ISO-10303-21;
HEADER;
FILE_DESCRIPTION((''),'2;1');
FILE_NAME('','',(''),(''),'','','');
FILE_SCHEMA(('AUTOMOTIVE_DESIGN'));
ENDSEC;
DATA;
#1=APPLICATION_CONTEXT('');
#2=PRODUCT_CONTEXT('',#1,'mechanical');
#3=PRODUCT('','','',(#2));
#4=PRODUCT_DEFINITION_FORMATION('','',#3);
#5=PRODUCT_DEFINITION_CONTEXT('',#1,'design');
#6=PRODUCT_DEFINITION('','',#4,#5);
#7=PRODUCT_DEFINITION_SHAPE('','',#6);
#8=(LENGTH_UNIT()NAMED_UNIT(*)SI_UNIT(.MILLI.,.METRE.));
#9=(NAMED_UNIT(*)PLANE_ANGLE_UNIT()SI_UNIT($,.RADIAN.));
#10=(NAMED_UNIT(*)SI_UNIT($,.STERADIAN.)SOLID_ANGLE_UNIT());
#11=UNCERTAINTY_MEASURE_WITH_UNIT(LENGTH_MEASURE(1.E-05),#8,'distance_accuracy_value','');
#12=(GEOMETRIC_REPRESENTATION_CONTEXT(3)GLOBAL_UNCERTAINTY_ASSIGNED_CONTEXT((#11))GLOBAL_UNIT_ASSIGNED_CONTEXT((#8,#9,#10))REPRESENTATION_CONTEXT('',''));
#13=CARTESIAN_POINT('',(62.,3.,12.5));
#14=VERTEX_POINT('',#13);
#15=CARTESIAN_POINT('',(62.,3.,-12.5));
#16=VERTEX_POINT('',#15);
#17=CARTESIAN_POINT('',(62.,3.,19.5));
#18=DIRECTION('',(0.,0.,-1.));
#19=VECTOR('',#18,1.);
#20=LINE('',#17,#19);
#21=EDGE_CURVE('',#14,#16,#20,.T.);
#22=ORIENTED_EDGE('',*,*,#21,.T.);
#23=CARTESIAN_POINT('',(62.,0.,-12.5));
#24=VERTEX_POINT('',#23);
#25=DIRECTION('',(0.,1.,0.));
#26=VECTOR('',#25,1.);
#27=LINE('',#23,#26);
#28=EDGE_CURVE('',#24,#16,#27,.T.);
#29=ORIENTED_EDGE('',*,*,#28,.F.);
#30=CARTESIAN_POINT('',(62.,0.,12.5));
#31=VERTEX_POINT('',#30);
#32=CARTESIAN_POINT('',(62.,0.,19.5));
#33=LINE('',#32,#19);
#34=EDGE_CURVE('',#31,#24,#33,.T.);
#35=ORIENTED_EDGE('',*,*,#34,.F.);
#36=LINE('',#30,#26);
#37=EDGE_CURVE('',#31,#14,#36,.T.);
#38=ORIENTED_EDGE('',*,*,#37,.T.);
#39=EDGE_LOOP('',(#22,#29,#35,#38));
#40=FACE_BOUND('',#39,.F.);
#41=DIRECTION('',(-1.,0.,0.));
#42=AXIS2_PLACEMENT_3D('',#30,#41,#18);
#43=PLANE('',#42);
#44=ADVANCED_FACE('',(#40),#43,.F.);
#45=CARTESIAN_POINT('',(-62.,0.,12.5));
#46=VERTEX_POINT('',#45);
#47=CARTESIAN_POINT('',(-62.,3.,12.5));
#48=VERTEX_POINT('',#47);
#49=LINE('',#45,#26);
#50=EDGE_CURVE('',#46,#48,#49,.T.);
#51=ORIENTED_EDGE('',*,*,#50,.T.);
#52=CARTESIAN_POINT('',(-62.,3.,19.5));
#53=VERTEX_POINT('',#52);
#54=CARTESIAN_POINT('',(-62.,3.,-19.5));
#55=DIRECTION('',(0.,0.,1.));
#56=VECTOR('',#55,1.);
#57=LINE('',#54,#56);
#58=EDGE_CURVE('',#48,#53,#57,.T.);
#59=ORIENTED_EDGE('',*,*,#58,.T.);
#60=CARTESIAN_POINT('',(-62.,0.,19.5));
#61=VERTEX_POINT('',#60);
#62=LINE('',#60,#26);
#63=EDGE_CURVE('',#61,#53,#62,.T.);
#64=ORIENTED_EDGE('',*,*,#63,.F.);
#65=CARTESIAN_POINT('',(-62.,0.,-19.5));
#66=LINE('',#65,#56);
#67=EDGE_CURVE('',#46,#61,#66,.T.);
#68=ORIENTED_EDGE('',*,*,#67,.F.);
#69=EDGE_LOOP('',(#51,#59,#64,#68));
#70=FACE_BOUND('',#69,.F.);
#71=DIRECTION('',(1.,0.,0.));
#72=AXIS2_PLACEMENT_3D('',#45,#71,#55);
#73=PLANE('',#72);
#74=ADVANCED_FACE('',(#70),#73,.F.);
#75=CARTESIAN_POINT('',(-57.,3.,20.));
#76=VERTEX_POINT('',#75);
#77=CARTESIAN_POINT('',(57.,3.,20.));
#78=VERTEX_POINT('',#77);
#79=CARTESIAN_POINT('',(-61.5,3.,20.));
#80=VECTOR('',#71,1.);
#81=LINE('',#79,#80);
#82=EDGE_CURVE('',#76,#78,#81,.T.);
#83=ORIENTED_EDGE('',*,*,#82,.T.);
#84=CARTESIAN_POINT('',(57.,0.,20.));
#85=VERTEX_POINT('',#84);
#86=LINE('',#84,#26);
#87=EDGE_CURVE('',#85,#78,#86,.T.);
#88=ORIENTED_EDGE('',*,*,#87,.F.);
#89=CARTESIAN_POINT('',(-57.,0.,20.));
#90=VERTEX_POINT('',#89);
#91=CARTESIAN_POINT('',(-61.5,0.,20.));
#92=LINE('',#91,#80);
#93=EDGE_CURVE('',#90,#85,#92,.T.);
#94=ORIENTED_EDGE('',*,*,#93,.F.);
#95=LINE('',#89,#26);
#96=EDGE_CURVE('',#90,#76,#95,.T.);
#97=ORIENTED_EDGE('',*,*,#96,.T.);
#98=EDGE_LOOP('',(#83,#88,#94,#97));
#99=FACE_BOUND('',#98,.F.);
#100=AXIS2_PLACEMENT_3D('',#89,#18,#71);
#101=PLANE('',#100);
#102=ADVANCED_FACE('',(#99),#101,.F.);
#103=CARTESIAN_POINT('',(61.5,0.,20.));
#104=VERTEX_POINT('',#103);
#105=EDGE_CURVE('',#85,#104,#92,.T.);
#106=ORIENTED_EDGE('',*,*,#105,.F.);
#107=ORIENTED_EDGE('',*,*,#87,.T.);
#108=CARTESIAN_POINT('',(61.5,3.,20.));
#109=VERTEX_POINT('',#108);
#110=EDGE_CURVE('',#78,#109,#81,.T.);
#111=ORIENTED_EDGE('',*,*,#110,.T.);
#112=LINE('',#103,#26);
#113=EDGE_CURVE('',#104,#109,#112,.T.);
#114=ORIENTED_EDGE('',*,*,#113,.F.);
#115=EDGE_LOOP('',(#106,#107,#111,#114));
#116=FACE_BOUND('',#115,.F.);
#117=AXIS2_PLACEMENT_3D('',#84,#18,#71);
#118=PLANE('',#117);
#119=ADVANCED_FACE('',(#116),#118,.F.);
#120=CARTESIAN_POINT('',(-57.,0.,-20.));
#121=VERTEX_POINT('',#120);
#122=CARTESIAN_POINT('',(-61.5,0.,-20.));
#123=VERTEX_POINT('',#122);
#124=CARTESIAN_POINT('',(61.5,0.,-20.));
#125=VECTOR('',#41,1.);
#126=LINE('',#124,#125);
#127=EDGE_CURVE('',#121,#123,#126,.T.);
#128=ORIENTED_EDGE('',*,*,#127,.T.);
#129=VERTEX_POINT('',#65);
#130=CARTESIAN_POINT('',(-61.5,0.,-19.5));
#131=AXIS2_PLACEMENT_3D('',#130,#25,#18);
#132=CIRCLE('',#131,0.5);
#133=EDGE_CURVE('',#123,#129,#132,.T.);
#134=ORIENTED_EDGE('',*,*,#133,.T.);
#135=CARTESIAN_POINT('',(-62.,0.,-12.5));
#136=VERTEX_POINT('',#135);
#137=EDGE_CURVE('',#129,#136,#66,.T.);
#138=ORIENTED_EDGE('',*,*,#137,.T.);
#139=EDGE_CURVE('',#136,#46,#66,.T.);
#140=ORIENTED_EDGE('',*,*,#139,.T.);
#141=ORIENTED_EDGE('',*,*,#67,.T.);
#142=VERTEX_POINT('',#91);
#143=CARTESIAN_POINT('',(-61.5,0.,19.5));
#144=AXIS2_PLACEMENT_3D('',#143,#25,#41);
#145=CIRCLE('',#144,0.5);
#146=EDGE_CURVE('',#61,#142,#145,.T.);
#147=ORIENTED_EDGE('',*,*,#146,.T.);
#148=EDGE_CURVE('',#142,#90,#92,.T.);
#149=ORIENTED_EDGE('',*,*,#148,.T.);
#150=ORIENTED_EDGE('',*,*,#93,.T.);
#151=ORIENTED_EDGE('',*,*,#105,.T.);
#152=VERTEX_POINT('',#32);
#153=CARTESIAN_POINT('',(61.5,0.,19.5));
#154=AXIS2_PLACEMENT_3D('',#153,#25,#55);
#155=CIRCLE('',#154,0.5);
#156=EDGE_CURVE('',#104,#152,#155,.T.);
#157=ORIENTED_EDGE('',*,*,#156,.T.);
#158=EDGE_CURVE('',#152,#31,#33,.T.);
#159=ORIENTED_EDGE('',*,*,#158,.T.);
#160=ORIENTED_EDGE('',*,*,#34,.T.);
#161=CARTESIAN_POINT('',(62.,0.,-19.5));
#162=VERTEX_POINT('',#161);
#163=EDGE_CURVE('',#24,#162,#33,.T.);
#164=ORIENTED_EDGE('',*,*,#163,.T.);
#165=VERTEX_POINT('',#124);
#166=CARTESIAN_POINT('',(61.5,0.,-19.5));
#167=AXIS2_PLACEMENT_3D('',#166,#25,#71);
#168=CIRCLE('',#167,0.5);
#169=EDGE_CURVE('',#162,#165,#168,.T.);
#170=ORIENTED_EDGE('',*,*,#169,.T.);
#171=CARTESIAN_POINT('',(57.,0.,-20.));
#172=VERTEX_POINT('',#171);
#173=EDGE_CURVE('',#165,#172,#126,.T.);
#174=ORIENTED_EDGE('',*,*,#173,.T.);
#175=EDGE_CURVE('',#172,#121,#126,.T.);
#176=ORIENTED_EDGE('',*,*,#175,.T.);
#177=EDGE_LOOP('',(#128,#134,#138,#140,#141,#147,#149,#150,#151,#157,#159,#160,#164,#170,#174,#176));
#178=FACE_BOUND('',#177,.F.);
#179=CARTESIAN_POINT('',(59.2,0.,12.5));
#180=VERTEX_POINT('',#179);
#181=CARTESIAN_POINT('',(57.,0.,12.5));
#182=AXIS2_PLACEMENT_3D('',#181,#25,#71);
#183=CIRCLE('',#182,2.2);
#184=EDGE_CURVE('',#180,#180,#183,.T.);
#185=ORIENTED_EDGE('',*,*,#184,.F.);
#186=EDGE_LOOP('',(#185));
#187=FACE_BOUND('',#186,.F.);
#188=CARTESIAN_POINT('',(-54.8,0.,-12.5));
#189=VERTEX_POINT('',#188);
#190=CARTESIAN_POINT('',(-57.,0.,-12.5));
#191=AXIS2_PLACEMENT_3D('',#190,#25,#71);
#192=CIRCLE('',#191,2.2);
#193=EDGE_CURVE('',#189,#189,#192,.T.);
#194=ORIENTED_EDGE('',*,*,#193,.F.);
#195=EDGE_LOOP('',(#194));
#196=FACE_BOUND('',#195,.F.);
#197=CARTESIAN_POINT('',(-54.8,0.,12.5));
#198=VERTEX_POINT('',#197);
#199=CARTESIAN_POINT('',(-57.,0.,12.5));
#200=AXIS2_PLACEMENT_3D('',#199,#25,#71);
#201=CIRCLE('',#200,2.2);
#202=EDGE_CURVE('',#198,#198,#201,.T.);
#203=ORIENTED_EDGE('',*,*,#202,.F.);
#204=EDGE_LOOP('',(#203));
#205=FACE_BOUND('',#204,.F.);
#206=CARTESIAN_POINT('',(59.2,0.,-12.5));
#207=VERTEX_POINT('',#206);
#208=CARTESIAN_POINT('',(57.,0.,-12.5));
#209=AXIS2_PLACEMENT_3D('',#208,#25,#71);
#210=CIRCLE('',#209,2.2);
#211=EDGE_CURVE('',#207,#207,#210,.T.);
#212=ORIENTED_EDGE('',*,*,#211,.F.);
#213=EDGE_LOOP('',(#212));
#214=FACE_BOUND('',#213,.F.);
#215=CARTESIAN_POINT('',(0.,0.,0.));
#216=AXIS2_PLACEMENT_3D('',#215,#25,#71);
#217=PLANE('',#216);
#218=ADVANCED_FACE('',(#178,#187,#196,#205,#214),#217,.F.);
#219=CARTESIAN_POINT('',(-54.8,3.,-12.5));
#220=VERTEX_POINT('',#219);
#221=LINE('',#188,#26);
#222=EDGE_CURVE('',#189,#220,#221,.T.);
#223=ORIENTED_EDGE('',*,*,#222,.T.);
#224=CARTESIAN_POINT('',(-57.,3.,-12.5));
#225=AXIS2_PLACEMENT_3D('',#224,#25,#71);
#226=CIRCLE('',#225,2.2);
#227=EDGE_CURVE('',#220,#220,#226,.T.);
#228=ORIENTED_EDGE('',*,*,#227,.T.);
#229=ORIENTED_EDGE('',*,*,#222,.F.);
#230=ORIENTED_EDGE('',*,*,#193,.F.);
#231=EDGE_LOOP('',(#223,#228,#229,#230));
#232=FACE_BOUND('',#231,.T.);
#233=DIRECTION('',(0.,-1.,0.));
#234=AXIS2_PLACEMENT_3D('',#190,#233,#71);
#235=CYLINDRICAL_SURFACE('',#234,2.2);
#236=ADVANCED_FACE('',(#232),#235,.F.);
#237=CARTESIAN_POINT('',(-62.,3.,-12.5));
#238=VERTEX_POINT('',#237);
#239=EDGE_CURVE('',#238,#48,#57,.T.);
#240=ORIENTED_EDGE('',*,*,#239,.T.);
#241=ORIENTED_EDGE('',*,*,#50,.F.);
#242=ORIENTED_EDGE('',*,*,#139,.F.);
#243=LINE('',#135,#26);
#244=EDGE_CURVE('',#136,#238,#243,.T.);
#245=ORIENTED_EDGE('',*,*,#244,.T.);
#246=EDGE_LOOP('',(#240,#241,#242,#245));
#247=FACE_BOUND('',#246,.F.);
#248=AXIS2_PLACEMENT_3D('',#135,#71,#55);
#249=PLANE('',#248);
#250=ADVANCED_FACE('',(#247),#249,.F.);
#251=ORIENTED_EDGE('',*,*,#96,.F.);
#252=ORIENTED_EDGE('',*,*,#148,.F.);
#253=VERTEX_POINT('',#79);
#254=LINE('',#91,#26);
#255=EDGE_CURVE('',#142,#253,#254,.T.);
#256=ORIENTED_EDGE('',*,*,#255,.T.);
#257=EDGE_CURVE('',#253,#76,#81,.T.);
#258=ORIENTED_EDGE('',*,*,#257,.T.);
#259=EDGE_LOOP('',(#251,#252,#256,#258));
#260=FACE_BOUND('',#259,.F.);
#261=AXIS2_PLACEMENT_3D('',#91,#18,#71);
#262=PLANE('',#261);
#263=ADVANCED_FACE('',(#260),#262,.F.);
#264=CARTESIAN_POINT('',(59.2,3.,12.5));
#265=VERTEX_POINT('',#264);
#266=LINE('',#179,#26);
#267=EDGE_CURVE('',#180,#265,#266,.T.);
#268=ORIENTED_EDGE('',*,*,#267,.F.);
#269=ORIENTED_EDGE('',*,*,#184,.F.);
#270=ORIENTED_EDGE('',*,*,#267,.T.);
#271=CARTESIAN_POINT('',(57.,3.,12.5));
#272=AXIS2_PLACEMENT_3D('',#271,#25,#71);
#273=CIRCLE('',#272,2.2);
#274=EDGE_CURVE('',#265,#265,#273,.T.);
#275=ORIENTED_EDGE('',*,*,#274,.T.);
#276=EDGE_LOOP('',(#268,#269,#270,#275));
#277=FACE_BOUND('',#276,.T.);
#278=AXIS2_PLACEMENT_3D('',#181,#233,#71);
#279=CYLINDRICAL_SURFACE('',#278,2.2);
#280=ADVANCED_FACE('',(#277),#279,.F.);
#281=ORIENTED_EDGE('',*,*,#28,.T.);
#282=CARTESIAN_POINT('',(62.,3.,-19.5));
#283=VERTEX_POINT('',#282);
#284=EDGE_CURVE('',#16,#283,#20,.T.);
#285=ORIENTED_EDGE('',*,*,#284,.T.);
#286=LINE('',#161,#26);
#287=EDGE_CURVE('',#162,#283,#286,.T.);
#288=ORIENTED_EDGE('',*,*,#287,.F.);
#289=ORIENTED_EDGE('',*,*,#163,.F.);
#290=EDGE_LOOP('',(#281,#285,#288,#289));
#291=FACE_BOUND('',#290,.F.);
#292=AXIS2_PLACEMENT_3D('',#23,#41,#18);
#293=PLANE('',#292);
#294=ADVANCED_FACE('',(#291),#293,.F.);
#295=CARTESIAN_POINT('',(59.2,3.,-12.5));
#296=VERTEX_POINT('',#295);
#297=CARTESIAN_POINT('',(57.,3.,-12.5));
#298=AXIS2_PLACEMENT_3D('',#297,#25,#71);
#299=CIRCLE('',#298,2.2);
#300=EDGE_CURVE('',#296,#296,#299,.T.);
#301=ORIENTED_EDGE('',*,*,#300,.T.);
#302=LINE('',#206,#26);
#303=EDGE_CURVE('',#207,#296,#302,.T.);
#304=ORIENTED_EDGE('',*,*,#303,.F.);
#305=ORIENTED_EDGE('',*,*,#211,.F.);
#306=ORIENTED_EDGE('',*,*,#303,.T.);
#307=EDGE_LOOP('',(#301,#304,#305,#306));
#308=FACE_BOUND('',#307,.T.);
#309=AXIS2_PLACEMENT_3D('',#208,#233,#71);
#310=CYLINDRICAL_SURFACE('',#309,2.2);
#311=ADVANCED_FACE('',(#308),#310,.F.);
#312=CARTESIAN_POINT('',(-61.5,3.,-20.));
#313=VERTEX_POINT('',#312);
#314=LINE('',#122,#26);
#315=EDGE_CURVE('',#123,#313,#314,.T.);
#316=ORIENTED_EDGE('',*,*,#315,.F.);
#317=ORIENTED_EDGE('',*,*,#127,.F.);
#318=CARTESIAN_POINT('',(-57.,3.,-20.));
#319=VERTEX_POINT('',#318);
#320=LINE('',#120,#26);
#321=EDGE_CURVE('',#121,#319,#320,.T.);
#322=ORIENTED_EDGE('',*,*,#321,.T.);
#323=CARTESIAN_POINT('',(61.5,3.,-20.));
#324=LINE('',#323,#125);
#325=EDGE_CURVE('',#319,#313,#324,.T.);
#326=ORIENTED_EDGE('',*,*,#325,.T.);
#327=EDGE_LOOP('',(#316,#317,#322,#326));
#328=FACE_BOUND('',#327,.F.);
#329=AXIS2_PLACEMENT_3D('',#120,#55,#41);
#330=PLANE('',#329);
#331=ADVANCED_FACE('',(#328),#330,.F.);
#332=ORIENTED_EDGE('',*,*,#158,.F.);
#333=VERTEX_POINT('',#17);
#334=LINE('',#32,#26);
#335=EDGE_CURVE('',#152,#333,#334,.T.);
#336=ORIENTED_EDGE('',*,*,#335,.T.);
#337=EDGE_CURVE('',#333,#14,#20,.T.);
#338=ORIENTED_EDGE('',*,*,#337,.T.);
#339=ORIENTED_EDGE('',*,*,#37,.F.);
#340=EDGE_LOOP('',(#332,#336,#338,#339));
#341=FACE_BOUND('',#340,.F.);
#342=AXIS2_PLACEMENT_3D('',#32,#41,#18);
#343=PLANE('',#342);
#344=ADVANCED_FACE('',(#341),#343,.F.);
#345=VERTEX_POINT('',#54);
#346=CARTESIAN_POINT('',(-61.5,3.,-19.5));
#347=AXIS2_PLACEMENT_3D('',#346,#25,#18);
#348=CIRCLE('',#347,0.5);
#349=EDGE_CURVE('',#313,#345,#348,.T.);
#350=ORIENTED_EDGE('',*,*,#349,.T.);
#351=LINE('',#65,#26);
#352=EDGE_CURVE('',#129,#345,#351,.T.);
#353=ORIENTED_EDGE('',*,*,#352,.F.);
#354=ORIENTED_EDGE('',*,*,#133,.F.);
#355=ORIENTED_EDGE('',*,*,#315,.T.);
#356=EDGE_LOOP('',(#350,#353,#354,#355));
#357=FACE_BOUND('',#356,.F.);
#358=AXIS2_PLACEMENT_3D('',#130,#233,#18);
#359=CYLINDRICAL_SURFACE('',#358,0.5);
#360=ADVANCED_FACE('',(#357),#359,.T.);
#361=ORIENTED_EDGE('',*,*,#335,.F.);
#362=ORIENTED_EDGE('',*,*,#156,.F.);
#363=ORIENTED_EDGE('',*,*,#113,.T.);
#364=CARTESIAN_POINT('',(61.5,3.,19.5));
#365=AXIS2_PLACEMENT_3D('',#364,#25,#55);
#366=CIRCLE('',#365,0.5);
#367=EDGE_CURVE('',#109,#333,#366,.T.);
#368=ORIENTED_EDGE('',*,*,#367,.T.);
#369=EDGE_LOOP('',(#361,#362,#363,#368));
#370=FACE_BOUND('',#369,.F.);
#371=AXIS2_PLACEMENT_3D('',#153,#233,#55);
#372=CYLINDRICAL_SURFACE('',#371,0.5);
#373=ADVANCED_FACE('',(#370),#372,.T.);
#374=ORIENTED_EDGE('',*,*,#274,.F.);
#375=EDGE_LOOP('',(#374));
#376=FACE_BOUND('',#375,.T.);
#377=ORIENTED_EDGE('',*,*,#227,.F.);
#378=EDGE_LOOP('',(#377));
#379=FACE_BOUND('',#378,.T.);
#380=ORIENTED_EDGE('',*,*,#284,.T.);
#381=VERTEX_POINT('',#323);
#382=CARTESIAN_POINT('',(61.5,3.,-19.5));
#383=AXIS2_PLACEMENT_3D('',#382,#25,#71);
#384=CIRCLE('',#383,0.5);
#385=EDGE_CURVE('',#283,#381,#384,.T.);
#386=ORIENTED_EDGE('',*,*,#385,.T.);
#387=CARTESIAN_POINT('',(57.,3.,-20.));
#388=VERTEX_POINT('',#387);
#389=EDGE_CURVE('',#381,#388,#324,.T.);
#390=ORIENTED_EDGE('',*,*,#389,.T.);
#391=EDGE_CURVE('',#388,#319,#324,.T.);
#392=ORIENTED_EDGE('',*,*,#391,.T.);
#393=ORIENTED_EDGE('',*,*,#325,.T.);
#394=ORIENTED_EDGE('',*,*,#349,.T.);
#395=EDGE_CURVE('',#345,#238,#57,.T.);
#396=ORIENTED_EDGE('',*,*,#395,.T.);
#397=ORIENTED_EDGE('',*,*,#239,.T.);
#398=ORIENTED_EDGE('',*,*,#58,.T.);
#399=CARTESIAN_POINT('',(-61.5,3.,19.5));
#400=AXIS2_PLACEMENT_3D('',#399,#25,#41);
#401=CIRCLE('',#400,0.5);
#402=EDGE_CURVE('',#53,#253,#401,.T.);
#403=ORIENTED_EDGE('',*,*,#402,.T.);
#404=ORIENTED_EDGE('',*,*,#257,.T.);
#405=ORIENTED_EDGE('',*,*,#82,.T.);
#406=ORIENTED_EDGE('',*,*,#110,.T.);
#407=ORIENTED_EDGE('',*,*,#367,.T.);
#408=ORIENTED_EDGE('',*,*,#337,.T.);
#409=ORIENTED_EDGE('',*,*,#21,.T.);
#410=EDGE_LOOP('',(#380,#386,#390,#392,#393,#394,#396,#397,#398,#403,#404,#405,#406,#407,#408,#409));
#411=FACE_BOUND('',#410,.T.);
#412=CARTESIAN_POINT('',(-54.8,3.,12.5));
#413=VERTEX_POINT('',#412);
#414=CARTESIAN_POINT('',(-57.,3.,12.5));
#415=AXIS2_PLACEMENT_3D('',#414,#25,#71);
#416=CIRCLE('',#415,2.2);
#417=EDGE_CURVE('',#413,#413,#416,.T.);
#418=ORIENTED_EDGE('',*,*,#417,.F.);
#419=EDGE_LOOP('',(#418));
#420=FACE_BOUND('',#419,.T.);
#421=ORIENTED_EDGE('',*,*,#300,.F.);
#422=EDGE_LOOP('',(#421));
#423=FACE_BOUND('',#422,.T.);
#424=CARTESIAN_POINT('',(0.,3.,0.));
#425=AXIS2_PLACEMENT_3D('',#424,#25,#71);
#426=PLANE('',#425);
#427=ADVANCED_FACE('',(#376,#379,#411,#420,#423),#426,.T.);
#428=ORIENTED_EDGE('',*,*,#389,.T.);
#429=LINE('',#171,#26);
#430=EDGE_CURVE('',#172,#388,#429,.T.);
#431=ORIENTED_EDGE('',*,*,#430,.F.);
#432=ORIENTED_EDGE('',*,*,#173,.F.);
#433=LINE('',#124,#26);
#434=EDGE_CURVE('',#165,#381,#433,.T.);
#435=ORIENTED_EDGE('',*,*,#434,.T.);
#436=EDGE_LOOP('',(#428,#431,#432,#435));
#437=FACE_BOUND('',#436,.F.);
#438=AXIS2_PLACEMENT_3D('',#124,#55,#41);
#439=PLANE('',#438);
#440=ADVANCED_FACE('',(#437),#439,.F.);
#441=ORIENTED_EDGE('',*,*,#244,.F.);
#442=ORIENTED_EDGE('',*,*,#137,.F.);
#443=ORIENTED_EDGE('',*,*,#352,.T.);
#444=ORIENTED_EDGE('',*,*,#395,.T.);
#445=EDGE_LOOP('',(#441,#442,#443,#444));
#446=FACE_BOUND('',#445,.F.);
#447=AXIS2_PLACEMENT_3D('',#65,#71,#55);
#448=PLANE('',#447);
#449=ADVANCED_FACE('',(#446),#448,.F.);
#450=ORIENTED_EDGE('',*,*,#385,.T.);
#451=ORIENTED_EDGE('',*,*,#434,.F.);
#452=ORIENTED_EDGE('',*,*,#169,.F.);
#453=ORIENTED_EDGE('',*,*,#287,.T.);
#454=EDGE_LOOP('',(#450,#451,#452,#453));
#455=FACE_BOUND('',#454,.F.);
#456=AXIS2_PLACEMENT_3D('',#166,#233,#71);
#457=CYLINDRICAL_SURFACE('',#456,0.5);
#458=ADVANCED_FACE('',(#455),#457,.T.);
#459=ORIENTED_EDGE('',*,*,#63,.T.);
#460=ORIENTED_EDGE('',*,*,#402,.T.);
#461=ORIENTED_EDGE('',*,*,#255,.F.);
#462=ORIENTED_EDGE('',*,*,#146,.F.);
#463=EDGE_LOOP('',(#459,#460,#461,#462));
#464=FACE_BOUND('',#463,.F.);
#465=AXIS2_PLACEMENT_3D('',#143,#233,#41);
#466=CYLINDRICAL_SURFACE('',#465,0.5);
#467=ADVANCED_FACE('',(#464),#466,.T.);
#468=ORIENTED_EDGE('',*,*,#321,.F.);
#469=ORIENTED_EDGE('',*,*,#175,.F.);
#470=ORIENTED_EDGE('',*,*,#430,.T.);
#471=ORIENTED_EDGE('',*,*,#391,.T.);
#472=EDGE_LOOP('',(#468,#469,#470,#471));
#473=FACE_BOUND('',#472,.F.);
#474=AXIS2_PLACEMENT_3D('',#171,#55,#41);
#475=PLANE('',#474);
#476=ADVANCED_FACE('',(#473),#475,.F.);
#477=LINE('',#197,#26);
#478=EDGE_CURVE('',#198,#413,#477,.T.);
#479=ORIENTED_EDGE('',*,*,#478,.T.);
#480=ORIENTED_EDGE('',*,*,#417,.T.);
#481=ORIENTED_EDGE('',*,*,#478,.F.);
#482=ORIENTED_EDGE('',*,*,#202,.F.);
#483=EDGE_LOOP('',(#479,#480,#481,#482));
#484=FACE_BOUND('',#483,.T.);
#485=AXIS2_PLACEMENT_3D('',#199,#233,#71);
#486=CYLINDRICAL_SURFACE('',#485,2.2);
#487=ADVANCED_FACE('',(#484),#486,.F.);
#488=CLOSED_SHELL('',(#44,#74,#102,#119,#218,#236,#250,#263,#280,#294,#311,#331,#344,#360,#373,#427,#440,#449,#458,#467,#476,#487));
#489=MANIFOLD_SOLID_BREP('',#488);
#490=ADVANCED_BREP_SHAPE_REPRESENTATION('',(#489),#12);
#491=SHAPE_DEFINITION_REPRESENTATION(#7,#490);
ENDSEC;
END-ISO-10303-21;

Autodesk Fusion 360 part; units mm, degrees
sketch "Sketch1" plane through (0, 0, 0) normal (0, 1, 0) x (1, 0, 0)
  line L0 (-61.5, -20) -> (61.5, -20)
  line L1 (62, -19.5) -> (62, 19.5)
  line L2 (61.5, 20) -> (-61.5, 20)
  line L3 (-62, 19.5) -> (-62, -19.5)
  line L4 (-62, -20) -> (62, 20) construction
  line L5 (62, -20) -> (-62, 20) construction
  line L6 (62, 20) -> (57, 20)
  line L7 (57, 20) -> (57, 12.5) construction
  line L8 (57, 12.5) -> (62, 12.5) construction
  line L9 (62, 12.5) -> (62, 20)
  line L10 (62, -20) -> (57, -20)
  line L11 (57, -20) -> (57, -12.5) construction
  line L12 (57, -12.5) -> (62, -12.5) construction
  line L13 (62, -12.5) -> (62, -20)
  line L14 (-62, -20) -> (-57, -20)
  line L15 (-57, -20) -> (-57, -12.5) construction
  line L16 (-57, -12.5) -> (-62, -12.5) construction
  line L17 (-62, -12.5) -> (-62, -20)
  line L18 (-62, 20) -> (-57, 20)
  line L19 (-57, 20) -> (-57, 12.5) construction
  line L20 (-57, 12.5) -> (-62, 12.5) construction
  line L21 (-62, 12.5) -> (-62, 20)
  circle A0 centre (57, -12.5) radius 2.2
  circle A1 centre (-57, -12.5) radius 2.2
  circle A2 centre (57, 12.5) radius 2.2
  circle A3 centre (-57, 12.5) radius 2.2
  arc A4 (61.5, -20) -> (62, -19.5) centre (61.5, -19.5) ccw
  arc A5 (-62, -19.5) -> (-61.5, -20) centre (-61.5, -19.5) ccw
  arc A6 (-61.5, 20) -> (-62, 19.5) centre (-61.5, 19.5) ccw
  arc A7 (62, 19.5) -> (61.5, 20) centre (61.5, 19.5) ccw
  dimension "d1" = 124
  dimension "d2" = 40
  dimension "d3" = 5
  dimension "d4" = 7.5
  dimension "d5" = 5
  dimension "d6" = 7.5
  dimension "d7" = 5
  dimension "d8" = 7.5
  dimension "d9" = 5
  dimension "d10" = 7.5
  dimension "d11" = 4.4
  dimension "d12" = 4.4
  dimension "d13" = 4.4
  dimension "d14" = 4.4
  dimension "d15" = 0.5
extrude "Extrude1" add sketch "Sketch1" along normal blind 3 contours L0 L1 L2 L3 L6 L9 L10 L13 L14 L17 L18 L21 A4 A5 A6 A7
